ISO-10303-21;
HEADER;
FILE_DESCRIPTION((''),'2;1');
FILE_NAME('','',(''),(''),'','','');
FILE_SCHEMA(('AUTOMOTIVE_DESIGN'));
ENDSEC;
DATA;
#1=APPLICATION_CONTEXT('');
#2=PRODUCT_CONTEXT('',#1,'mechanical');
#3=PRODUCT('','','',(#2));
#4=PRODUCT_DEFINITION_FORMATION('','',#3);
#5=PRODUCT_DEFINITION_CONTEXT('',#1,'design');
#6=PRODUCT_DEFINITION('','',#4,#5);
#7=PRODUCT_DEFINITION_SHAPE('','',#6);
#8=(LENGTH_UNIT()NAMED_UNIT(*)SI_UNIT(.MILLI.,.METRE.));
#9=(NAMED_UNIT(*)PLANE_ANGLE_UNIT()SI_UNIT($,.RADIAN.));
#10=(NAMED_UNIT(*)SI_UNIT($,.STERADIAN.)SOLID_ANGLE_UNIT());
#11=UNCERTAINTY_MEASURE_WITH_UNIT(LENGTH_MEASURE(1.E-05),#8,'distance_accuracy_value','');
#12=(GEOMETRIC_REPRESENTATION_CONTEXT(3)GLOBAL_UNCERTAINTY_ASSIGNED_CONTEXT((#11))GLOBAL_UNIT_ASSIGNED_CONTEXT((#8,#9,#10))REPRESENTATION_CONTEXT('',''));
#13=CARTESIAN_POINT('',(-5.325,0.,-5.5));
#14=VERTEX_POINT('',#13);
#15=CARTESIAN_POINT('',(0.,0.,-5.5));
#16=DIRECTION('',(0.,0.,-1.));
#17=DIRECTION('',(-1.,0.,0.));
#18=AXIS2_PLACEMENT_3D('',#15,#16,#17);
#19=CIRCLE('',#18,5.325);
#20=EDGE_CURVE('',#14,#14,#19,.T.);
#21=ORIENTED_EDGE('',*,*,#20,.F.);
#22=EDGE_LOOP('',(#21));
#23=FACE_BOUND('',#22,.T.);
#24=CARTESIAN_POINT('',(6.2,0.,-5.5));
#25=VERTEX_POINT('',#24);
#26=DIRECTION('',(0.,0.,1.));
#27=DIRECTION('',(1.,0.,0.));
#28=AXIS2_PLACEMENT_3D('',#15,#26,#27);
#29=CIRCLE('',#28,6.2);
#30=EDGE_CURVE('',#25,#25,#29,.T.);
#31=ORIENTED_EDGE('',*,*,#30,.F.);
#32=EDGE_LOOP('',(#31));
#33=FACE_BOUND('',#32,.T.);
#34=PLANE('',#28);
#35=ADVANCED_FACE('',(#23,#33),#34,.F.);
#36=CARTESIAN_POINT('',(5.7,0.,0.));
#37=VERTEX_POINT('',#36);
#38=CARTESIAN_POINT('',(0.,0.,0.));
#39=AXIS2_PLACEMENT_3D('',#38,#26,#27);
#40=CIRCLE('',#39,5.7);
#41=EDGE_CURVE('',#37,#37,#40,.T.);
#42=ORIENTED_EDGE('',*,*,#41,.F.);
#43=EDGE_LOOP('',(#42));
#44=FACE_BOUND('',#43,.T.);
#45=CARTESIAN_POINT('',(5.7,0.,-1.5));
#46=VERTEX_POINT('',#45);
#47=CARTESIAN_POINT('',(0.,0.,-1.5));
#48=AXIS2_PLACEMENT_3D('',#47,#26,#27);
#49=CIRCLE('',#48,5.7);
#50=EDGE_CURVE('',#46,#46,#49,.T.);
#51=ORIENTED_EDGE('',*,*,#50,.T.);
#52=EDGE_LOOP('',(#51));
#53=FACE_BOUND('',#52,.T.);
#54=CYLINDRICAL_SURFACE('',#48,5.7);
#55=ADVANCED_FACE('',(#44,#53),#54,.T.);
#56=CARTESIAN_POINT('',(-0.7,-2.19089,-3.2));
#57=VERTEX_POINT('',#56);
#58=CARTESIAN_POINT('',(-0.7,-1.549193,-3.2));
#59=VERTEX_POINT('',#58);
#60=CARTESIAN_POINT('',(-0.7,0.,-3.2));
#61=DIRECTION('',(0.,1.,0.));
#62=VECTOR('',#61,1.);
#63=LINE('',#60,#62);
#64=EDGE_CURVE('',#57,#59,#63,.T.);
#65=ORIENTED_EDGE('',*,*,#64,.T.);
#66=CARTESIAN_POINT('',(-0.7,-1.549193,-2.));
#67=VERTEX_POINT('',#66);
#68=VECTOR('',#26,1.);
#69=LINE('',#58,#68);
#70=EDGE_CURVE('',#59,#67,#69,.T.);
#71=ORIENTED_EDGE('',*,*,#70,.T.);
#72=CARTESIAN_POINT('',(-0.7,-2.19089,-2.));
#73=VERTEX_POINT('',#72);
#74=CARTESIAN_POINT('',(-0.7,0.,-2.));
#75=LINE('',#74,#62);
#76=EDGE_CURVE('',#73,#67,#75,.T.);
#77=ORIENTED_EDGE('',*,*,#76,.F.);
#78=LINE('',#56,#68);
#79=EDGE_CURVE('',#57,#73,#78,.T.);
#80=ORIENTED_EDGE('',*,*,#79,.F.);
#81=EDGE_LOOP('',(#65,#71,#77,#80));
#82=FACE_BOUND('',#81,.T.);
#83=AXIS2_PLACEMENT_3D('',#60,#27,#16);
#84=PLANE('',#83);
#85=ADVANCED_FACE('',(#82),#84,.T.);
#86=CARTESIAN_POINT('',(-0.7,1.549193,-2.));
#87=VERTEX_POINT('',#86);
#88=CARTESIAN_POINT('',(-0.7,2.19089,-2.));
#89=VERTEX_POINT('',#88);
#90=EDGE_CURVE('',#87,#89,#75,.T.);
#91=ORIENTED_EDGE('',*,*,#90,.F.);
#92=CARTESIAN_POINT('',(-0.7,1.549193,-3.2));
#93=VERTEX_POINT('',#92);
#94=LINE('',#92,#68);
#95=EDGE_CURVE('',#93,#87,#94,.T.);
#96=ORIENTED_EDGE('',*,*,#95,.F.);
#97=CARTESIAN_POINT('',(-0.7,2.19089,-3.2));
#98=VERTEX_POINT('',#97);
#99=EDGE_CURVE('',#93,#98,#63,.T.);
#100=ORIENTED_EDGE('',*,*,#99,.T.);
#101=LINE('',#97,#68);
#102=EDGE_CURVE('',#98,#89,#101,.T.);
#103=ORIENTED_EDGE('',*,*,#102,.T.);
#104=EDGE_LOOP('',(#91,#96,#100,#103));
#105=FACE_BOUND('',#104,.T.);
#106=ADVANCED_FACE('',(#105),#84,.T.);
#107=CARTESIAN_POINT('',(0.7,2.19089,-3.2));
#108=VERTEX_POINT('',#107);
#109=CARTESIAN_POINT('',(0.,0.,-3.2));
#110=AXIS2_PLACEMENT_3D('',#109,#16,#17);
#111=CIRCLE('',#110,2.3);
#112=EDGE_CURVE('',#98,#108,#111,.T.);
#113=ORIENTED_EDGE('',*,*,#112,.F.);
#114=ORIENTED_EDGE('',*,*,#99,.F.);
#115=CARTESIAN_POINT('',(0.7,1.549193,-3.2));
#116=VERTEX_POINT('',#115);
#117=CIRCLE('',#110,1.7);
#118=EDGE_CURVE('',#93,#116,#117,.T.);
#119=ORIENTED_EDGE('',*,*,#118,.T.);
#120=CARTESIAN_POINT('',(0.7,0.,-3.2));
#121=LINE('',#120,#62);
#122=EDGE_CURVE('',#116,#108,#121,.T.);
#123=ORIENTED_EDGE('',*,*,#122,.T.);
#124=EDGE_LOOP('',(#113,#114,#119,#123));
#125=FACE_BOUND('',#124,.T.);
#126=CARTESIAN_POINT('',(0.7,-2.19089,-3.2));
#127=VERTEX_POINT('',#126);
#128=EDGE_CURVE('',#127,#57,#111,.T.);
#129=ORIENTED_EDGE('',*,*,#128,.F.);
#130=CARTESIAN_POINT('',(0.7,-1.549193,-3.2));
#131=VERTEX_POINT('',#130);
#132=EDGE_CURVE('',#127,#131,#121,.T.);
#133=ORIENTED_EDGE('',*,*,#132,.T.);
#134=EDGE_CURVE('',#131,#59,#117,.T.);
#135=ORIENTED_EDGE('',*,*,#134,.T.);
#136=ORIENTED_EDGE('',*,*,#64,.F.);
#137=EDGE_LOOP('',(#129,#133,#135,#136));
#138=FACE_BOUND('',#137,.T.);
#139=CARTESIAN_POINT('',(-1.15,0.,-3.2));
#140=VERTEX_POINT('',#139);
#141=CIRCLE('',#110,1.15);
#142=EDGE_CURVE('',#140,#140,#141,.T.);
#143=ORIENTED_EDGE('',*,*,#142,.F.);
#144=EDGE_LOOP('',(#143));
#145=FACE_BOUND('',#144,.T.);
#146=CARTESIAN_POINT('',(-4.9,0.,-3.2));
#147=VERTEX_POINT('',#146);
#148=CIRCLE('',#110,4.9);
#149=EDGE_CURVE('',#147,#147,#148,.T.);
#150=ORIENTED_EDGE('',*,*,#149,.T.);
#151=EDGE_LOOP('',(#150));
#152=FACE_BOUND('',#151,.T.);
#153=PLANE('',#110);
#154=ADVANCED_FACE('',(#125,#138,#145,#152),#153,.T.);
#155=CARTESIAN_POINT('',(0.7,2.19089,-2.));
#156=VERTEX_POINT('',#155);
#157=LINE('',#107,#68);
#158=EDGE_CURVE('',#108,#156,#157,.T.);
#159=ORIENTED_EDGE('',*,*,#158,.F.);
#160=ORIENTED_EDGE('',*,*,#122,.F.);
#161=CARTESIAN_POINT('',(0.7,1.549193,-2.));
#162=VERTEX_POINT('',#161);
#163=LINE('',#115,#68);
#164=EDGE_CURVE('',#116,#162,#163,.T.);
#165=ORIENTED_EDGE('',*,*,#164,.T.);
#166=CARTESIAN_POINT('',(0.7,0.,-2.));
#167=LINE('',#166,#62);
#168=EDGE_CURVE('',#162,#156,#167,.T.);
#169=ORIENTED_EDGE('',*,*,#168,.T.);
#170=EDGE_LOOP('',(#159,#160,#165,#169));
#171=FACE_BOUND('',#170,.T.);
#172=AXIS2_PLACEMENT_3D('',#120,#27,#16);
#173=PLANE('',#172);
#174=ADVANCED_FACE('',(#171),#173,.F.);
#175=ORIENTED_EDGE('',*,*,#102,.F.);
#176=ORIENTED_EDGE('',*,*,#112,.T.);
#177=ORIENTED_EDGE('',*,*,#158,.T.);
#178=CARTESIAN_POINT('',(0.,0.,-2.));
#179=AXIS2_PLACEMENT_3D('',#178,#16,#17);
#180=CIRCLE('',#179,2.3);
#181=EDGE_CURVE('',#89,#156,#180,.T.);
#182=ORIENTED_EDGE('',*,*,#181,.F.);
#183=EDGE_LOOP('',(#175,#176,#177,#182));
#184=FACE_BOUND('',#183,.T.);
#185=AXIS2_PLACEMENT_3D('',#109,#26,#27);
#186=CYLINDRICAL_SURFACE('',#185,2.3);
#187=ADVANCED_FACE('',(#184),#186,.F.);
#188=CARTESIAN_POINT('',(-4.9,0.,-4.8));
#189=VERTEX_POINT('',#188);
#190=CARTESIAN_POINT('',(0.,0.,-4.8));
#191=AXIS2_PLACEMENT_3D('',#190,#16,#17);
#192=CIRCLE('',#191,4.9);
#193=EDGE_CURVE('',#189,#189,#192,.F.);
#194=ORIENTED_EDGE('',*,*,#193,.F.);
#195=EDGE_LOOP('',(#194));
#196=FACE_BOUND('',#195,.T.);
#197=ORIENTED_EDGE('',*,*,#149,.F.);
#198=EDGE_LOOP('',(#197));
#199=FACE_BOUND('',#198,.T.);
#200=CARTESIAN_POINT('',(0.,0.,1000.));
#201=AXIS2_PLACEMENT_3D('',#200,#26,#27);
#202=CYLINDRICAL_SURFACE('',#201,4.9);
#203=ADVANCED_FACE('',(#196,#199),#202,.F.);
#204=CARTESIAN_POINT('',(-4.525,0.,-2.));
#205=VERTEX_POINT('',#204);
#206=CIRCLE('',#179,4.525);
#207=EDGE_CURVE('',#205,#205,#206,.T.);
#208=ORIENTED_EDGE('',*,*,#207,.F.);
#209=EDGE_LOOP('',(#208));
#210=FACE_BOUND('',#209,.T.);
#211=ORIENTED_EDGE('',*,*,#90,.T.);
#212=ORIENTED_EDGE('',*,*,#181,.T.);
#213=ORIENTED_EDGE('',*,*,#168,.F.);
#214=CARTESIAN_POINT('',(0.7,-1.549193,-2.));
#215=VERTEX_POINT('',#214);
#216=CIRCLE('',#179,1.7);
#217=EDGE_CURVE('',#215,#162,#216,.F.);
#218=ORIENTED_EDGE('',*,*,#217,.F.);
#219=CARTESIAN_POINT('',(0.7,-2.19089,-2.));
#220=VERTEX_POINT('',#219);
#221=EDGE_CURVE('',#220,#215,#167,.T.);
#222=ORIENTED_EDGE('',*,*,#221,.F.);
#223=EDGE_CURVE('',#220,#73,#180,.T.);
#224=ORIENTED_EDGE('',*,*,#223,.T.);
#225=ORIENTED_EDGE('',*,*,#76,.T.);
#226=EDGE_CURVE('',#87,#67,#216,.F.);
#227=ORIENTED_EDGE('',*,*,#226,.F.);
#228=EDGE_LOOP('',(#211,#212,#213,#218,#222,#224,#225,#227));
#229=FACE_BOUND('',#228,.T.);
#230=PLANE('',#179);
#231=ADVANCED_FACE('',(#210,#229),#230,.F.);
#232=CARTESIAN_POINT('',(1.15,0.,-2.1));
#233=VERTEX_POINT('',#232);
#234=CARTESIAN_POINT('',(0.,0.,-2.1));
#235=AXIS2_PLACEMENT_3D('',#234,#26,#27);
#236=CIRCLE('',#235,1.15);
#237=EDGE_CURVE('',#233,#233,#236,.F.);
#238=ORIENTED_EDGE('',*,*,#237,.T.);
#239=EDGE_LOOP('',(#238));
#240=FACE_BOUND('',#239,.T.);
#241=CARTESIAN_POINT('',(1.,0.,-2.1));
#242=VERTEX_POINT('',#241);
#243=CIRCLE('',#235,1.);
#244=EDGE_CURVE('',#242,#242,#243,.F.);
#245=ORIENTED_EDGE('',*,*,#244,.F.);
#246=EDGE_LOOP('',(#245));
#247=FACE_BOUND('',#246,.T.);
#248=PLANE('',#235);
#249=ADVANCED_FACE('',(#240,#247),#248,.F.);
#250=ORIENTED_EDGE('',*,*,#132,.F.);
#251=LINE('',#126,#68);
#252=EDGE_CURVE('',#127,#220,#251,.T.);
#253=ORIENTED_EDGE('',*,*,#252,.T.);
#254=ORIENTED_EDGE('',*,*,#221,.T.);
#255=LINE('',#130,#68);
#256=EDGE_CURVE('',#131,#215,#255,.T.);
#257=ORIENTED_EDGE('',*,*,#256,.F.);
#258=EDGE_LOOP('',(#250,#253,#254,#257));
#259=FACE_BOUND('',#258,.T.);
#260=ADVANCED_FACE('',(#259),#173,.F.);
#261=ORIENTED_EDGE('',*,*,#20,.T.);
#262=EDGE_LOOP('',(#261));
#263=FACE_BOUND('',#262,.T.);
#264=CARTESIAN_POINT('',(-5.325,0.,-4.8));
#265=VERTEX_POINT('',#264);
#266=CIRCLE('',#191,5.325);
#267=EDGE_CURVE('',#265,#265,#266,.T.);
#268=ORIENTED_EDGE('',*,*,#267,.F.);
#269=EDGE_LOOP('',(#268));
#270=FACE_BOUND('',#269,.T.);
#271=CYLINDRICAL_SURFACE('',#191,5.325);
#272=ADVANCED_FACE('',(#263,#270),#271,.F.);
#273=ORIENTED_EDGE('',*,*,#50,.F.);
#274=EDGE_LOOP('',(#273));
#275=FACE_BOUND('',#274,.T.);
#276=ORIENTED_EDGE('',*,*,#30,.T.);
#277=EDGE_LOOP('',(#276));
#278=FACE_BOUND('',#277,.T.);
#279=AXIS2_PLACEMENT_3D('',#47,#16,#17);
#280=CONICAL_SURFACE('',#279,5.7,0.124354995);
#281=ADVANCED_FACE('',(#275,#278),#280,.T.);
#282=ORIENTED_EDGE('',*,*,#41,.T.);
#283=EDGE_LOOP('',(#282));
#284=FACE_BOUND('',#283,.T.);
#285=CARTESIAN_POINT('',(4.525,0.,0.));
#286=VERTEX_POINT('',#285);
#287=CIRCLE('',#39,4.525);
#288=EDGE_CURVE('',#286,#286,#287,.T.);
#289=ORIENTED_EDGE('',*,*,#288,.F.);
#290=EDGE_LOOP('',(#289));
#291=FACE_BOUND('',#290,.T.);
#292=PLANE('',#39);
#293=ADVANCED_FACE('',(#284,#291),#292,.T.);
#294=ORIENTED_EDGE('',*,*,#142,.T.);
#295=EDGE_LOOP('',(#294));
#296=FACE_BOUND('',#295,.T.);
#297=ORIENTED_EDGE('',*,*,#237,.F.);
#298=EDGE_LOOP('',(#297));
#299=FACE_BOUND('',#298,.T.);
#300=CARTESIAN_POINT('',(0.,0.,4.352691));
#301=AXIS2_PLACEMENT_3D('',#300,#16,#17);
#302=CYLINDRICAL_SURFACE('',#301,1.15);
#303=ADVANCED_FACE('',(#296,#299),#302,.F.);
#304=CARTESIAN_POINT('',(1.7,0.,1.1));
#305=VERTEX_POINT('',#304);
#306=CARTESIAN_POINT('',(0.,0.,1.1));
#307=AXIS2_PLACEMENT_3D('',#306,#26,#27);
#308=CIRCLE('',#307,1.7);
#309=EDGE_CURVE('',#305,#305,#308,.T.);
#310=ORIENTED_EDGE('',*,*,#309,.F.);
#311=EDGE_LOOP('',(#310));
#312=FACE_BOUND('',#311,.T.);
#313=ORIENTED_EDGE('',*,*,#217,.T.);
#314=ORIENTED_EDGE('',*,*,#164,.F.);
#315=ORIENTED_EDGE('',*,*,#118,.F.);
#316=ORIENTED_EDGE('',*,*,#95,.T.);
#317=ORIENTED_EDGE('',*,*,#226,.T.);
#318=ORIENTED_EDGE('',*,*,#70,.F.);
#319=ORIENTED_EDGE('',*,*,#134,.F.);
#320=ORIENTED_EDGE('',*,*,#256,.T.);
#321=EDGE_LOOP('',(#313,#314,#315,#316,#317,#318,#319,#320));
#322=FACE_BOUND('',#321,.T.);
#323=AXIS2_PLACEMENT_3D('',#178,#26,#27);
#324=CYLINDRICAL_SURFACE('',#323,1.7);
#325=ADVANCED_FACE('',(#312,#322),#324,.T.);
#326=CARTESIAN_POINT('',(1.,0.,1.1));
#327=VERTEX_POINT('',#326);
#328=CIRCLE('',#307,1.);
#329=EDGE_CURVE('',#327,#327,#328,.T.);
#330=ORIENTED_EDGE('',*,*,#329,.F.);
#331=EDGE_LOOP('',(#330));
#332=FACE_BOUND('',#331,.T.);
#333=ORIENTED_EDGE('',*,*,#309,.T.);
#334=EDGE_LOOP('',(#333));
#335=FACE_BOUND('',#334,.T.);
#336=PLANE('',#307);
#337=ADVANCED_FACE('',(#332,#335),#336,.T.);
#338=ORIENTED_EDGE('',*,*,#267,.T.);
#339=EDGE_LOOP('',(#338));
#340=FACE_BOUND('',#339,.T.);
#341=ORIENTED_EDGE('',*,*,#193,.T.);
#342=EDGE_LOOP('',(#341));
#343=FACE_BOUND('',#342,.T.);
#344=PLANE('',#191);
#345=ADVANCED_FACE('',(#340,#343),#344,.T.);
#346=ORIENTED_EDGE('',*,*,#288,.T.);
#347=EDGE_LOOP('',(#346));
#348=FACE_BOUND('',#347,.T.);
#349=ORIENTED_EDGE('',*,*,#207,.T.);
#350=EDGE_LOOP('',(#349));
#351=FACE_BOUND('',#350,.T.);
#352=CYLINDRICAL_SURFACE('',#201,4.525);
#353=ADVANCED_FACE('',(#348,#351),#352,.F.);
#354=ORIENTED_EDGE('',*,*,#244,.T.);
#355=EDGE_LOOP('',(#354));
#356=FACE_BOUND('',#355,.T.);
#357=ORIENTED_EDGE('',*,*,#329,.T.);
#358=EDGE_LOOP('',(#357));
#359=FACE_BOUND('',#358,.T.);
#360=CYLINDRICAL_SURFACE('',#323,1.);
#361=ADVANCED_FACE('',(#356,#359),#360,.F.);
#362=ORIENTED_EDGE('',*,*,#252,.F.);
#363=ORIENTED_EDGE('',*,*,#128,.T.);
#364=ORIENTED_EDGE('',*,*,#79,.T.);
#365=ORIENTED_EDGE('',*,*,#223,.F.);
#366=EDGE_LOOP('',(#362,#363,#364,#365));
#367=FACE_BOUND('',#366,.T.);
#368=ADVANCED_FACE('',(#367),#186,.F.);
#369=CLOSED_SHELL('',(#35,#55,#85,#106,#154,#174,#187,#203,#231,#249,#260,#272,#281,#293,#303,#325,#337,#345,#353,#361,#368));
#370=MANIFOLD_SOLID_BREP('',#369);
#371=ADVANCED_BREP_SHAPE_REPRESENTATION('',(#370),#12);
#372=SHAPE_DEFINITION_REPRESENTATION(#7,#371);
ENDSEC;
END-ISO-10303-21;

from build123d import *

# Parameters (mm, degrees)
SKETCH_1_R           = 1.7
SKETCH_1_R_2         = 1
EXTRUDE_1_DEPTH      = 1.1
EXTRUDE_1_DEPTH_BACK = 2
SKETCH_1_3_R         = 5.7
SKETCH_1_3_R_2       = 4.525
EXTRUDE_2_DEPTH      = 1.5
SKETCH_2_R           = 5
EXTRUDE_3_DEPTH      = 1.2
SKETCH_2_5_R         = 1
CUT_EXTRUDE_3_DEPTH  = 2.2
SKETCH_6_R           = 1.15
CUT_EXTRUDE_4_DEPTH  = 1.1
SKETCH_4_W           = 0.5
SKETCH_4_H           = 0.375
SKETCH_7_R           = 5.325
CUT_EXTRUDE_5_DEPTH  = 0.7


with BuildPart() as part:
    # Sketch 1 → Extrude 1 (new body, two sides)
    with BuildSketch(Plane.XY) as extrude_1_sk:
        Circle(SKETCH_1_R)
        Circle(SKETCH_1_R_2, mode=Mode.SUBTRACT)
    extrude(amount=EXTRUDE_1_DEPTH)
    extrude(extrude_1_sk.sketch, amount=-EXTRUDE_1_DEPTH_BACK)

    # Sketch 2 → Extrude 3 (add)
    with BuildSketch(Plane(origin=(0, 0, -2), x_dir=(-1, 0, 0), z_dir=(0, 0, -1))):
        Circle(SKETCH_2_R)
    extrude(amount=EXTRUDE_3_DEPTH)

    # Sketch 2_5 → Cut-Extrude 3 (cut, through all)
    with BuildSketch(Plane(origin=(0, 0, -2), x_dir=(-1, 0, 0), z_dir=(0, 0, -1))):
        with BuildLine():
            Line((-0.7, -1.549193338), (-0.7, -2.19089023))
            ThreePointArc((-0.7, -2.19089023), (0, -2.3), (0.7, -2.19089023))
            Line((0.7, -2.19089023), (0.7, -1.549193338))
            ThreePointArc((0.7, -1.549193338), (0, -1.7), (-0.7, -1.549193338))
        make_face()
        with BuildLine():
            ThreePointArc((0.7, 2.19089023), (0, 2.3), (-0.7, 2.19089023))
            Line((-0.7, 2.19089023), (-0.7, 1.549193338))
            ThreePointArc((-0.7, 1.549193338), (0, 1.7), (0.7, 1.549193338))
            Line((0.7, 1.549193338), (0.7, 2.19089023))
        make_face()
        with BuildLine():
            Line((-0.7, -1.549193338), (-0.7, -2.19089023))
            ThreePointArc((-0.7, -2.19089023), (0, -2.3), (0.7, -2.19089023))
            Line((0.7, -2.19089023), (0.7, -1.549193338))
            ThreePointArc((0.7, -1.549193338), (0, -1.7), (-0.7, -1.549193338))
        make_face()
        with BuildLine():
            ThreePointArc((0.7, 2.19089023), (0, 2.3), (-0.7, 2.19089023))
            Line((-0.7, 2.19089023), (-0.7, 1.549193338))
            ThreePointArc((-0.7, 1.549193338), (0, 1.7), (0.7, 1.549193338))
            Line((0.7, 1.549193338), (0.7, 2.19089023))
        make_face()
        with Locations(Location((0, 0, 0), (0, 0, 180))):  # turned: the seam where the file's is
            Circle(SKETCH_2_5_R)
    extrude(amount=CUT_EXTRUDE_3_DEPTH, mode=Mode.SUBTRACT)

    # Sketch 6 → Cut-Extrude 4 (cut)
    with BuildSketch(Plane(origin=(0, 0, -3.2), x_dir=(-1, 0, 0), z_dir=(0, 0, -1))):
        Circle(SKETCH_6_R)
    extrude(amount=-CUT_EXTRUDE_4_DEPTH, mode=Mode.SUBTRACT)



with BuildPart() as body_2:
    # Sketch 1_3 → Extrude 2 (new body)
    with BuildSketch(Plane.XY):
        Circle(SKETCH_1_3_R)
        Circle(SKETCH_1_3_R_2, mode=Mode.SUBTRACT)
    extrude(amount=-EXTRUDE_2_DEPTH)


with BuildPart() as part_1:
    add(part.part)

    add(body_2.part)  # Revolve 2 merges body 2
    # Sketch 4 → Revolve 2 (revolve)
    with BuildSketch(Plane(origin=(0, 0, 0), x_dir=(0, 0, -1), z_dir=(1, 0, 0)), mode=Mode.PRIVATE) as revolve_2_sk:
        Polygon((1.5, 5.7), (5.5, 6.2), (5.5, 4.9), (1.5, 4.9), align=None)
        with Locations((1.75, 4.7125)):
            Rectangle(SKETCH_4_W, SKETCH_4_H)
    revolve(revolve_2_sk.sketch.rotate(Axis((0, 0, 1000), (0, 0, -1)), 90), axis=Axis((0, 0, 1000), (0, 0, -1)))  # turned: the seam where the file's is

    # Sketch 7 → Cut-Extrude 5 (cut)
    with BuildSketch(Plane(origin=(0, 0, -5.5), x_dir=(-1, 0, 0), z_dir=(0, 0, -1))):
        Circle(SKETCH_7_R)
    extrude(amount=-CUT_EXTRUDE_5_DEPTH, mode=Mode.SUBTRACT)


solid = part_1.part
